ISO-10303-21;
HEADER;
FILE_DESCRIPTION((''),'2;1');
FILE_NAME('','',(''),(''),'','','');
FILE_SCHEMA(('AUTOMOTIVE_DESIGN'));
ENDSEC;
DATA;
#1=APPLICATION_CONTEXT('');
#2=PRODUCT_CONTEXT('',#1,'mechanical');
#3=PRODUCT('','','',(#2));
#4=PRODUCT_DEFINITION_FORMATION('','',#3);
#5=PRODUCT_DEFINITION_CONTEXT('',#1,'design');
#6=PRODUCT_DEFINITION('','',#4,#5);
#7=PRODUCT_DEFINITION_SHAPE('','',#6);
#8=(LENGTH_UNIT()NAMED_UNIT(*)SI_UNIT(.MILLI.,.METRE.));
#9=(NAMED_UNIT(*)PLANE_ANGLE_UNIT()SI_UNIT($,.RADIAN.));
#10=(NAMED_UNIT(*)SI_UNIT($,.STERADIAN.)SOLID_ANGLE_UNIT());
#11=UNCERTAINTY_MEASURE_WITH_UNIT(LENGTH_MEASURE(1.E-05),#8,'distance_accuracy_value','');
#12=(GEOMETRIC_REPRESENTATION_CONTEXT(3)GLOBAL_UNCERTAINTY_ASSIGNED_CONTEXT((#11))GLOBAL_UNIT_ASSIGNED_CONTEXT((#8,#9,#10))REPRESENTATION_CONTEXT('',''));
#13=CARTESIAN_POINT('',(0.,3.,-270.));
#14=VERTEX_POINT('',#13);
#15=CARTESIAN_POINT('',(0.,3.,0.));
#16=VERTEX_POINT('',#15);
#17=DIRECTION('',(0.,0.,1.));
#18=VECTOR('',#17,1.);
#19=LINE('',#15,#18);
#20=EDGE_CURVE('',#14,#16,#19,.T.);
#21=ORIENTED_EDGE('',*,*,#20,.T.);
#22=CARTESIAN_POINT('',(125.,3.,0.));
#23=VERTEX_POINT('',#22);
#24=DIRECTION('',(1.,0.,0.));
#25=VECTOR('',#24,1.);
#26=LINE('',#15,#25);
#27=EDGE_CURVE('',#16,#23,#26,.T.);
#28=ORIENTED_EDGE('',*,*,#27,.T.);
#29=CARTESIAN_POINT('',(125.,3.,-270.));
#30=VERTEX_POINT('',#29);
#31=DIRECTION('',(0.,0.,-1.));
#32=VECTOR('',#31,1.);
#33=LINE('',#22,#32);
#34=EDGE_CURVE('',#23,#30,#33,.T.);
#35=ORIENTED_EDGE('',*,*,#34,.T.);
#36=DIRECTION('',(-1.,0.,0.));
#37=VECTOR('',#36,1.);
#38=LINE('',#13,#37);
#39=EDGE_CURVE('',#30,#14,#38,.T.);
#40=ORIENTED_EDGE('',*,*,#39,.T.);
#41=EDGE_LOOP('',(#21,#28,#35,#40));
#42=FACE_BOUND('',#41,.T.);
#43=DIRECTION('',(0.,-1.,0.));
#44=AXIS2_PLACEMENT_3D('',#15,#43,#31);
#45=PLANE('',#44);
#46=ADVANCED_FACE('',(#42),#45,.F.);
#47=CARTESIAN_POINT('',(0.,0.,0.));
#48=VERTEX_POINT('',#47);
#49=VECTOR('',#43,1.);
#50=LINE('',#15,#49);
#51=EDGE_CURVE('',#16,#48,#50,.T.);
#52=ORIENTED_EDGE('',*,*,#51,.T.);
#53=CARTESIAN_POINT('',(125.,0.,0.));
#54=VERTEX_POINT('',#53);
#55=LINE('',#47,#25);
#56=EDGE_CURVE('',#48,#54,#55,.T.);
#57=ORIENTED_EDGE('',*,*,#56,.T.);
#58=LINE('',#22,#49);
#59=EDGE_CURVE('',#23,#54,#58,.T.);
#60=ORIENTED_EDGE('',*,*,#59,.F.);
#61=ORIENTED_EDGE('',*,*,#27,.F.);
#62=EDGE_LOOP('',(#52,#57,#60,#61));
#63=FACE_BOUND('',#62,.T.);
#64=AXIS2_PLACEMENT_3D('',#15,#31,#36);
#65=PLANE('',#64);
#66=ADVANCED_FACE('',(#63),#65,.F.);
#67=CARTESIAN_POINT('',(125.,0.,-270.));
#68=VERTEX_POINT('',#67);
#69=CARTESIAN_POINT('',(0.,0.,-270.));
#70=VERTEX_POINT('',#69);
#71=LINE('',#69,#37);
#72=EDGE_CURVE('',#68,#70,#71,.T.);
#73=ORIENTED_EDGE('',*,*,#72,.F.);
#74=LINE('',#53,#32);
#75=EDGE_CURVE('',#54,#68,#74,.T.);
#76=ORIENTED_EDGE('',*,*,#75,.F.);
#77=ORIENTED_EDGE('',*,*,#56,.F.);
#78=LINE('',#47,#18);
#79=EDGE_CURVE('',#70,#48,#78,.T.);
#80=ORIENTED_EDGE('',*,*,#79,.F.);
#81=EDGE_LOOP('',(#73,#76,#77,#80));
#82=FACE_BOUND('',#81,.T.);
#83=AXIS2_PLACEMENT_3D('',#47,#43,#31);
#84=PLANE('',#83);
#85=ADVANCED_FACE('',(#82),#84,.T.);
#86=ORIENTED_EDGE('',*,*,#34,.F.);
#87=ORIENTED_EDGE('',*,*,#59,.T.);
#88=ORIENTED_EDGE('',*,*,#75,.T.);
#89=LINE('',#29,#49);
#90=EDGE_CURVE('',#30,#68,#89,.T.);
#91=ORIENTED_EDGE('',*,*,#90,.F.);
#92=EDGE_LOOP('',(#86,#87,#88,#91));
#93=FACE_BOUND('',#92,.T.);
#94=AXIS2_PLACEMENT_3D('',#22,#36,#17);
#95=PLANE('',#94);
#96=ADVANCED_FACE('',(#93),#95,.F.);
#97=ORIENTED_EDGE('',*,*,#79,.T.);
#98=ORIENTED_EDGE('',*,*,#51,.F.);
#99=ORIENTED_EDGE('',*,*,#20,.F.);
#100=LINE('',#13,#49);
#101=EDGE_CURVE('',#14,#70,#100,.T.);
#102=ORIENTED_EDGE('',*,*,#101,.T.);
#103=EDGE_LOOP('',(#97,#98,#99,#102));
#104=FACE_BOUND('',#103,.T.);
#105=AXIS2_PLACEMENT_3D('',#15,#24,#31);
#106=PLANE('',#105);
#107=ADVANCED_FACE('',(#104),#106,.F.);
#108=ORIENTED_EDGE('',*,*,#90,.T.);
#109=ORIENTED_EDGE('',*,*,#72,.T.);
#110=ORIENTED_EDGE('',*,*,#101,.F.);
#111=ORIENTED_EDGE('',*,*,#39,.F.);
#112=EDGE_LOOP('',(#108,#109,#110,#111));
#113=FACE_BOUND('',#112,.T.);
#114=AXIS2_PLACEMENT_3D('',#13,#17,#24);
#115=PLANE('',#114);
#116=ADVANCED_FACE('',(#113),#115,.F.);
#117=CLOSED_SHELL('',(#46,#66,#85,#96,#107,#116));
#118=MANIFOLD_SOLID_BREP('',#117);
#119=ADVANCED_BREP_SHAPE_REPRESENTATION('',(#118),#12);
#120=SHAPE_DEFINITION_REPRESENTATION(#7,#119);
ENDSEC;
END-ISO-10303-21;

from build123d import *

# Parameters (mm, degrees)
ESQUISSE1_W        = 125
ESQUISSE1_H        = 270
BOSS_EXTRU_1_DEPTH = 3


with BuildPart() as part:
    # Esquisse1 → Boss.-Extru.1 (new body)
    with BuildSketch(Plane(origin=(0, 0, 0), x_dir=(1, 0, 0), z_dir=(0, 1, 0))):
        with Locations((62.5, 135)):
            Rectangle(ESQUISSE1_W, ESQUISSE1_H)
    extrude(amount=BOSS_EXTRU_1_DEPTH)


solid = part.part
